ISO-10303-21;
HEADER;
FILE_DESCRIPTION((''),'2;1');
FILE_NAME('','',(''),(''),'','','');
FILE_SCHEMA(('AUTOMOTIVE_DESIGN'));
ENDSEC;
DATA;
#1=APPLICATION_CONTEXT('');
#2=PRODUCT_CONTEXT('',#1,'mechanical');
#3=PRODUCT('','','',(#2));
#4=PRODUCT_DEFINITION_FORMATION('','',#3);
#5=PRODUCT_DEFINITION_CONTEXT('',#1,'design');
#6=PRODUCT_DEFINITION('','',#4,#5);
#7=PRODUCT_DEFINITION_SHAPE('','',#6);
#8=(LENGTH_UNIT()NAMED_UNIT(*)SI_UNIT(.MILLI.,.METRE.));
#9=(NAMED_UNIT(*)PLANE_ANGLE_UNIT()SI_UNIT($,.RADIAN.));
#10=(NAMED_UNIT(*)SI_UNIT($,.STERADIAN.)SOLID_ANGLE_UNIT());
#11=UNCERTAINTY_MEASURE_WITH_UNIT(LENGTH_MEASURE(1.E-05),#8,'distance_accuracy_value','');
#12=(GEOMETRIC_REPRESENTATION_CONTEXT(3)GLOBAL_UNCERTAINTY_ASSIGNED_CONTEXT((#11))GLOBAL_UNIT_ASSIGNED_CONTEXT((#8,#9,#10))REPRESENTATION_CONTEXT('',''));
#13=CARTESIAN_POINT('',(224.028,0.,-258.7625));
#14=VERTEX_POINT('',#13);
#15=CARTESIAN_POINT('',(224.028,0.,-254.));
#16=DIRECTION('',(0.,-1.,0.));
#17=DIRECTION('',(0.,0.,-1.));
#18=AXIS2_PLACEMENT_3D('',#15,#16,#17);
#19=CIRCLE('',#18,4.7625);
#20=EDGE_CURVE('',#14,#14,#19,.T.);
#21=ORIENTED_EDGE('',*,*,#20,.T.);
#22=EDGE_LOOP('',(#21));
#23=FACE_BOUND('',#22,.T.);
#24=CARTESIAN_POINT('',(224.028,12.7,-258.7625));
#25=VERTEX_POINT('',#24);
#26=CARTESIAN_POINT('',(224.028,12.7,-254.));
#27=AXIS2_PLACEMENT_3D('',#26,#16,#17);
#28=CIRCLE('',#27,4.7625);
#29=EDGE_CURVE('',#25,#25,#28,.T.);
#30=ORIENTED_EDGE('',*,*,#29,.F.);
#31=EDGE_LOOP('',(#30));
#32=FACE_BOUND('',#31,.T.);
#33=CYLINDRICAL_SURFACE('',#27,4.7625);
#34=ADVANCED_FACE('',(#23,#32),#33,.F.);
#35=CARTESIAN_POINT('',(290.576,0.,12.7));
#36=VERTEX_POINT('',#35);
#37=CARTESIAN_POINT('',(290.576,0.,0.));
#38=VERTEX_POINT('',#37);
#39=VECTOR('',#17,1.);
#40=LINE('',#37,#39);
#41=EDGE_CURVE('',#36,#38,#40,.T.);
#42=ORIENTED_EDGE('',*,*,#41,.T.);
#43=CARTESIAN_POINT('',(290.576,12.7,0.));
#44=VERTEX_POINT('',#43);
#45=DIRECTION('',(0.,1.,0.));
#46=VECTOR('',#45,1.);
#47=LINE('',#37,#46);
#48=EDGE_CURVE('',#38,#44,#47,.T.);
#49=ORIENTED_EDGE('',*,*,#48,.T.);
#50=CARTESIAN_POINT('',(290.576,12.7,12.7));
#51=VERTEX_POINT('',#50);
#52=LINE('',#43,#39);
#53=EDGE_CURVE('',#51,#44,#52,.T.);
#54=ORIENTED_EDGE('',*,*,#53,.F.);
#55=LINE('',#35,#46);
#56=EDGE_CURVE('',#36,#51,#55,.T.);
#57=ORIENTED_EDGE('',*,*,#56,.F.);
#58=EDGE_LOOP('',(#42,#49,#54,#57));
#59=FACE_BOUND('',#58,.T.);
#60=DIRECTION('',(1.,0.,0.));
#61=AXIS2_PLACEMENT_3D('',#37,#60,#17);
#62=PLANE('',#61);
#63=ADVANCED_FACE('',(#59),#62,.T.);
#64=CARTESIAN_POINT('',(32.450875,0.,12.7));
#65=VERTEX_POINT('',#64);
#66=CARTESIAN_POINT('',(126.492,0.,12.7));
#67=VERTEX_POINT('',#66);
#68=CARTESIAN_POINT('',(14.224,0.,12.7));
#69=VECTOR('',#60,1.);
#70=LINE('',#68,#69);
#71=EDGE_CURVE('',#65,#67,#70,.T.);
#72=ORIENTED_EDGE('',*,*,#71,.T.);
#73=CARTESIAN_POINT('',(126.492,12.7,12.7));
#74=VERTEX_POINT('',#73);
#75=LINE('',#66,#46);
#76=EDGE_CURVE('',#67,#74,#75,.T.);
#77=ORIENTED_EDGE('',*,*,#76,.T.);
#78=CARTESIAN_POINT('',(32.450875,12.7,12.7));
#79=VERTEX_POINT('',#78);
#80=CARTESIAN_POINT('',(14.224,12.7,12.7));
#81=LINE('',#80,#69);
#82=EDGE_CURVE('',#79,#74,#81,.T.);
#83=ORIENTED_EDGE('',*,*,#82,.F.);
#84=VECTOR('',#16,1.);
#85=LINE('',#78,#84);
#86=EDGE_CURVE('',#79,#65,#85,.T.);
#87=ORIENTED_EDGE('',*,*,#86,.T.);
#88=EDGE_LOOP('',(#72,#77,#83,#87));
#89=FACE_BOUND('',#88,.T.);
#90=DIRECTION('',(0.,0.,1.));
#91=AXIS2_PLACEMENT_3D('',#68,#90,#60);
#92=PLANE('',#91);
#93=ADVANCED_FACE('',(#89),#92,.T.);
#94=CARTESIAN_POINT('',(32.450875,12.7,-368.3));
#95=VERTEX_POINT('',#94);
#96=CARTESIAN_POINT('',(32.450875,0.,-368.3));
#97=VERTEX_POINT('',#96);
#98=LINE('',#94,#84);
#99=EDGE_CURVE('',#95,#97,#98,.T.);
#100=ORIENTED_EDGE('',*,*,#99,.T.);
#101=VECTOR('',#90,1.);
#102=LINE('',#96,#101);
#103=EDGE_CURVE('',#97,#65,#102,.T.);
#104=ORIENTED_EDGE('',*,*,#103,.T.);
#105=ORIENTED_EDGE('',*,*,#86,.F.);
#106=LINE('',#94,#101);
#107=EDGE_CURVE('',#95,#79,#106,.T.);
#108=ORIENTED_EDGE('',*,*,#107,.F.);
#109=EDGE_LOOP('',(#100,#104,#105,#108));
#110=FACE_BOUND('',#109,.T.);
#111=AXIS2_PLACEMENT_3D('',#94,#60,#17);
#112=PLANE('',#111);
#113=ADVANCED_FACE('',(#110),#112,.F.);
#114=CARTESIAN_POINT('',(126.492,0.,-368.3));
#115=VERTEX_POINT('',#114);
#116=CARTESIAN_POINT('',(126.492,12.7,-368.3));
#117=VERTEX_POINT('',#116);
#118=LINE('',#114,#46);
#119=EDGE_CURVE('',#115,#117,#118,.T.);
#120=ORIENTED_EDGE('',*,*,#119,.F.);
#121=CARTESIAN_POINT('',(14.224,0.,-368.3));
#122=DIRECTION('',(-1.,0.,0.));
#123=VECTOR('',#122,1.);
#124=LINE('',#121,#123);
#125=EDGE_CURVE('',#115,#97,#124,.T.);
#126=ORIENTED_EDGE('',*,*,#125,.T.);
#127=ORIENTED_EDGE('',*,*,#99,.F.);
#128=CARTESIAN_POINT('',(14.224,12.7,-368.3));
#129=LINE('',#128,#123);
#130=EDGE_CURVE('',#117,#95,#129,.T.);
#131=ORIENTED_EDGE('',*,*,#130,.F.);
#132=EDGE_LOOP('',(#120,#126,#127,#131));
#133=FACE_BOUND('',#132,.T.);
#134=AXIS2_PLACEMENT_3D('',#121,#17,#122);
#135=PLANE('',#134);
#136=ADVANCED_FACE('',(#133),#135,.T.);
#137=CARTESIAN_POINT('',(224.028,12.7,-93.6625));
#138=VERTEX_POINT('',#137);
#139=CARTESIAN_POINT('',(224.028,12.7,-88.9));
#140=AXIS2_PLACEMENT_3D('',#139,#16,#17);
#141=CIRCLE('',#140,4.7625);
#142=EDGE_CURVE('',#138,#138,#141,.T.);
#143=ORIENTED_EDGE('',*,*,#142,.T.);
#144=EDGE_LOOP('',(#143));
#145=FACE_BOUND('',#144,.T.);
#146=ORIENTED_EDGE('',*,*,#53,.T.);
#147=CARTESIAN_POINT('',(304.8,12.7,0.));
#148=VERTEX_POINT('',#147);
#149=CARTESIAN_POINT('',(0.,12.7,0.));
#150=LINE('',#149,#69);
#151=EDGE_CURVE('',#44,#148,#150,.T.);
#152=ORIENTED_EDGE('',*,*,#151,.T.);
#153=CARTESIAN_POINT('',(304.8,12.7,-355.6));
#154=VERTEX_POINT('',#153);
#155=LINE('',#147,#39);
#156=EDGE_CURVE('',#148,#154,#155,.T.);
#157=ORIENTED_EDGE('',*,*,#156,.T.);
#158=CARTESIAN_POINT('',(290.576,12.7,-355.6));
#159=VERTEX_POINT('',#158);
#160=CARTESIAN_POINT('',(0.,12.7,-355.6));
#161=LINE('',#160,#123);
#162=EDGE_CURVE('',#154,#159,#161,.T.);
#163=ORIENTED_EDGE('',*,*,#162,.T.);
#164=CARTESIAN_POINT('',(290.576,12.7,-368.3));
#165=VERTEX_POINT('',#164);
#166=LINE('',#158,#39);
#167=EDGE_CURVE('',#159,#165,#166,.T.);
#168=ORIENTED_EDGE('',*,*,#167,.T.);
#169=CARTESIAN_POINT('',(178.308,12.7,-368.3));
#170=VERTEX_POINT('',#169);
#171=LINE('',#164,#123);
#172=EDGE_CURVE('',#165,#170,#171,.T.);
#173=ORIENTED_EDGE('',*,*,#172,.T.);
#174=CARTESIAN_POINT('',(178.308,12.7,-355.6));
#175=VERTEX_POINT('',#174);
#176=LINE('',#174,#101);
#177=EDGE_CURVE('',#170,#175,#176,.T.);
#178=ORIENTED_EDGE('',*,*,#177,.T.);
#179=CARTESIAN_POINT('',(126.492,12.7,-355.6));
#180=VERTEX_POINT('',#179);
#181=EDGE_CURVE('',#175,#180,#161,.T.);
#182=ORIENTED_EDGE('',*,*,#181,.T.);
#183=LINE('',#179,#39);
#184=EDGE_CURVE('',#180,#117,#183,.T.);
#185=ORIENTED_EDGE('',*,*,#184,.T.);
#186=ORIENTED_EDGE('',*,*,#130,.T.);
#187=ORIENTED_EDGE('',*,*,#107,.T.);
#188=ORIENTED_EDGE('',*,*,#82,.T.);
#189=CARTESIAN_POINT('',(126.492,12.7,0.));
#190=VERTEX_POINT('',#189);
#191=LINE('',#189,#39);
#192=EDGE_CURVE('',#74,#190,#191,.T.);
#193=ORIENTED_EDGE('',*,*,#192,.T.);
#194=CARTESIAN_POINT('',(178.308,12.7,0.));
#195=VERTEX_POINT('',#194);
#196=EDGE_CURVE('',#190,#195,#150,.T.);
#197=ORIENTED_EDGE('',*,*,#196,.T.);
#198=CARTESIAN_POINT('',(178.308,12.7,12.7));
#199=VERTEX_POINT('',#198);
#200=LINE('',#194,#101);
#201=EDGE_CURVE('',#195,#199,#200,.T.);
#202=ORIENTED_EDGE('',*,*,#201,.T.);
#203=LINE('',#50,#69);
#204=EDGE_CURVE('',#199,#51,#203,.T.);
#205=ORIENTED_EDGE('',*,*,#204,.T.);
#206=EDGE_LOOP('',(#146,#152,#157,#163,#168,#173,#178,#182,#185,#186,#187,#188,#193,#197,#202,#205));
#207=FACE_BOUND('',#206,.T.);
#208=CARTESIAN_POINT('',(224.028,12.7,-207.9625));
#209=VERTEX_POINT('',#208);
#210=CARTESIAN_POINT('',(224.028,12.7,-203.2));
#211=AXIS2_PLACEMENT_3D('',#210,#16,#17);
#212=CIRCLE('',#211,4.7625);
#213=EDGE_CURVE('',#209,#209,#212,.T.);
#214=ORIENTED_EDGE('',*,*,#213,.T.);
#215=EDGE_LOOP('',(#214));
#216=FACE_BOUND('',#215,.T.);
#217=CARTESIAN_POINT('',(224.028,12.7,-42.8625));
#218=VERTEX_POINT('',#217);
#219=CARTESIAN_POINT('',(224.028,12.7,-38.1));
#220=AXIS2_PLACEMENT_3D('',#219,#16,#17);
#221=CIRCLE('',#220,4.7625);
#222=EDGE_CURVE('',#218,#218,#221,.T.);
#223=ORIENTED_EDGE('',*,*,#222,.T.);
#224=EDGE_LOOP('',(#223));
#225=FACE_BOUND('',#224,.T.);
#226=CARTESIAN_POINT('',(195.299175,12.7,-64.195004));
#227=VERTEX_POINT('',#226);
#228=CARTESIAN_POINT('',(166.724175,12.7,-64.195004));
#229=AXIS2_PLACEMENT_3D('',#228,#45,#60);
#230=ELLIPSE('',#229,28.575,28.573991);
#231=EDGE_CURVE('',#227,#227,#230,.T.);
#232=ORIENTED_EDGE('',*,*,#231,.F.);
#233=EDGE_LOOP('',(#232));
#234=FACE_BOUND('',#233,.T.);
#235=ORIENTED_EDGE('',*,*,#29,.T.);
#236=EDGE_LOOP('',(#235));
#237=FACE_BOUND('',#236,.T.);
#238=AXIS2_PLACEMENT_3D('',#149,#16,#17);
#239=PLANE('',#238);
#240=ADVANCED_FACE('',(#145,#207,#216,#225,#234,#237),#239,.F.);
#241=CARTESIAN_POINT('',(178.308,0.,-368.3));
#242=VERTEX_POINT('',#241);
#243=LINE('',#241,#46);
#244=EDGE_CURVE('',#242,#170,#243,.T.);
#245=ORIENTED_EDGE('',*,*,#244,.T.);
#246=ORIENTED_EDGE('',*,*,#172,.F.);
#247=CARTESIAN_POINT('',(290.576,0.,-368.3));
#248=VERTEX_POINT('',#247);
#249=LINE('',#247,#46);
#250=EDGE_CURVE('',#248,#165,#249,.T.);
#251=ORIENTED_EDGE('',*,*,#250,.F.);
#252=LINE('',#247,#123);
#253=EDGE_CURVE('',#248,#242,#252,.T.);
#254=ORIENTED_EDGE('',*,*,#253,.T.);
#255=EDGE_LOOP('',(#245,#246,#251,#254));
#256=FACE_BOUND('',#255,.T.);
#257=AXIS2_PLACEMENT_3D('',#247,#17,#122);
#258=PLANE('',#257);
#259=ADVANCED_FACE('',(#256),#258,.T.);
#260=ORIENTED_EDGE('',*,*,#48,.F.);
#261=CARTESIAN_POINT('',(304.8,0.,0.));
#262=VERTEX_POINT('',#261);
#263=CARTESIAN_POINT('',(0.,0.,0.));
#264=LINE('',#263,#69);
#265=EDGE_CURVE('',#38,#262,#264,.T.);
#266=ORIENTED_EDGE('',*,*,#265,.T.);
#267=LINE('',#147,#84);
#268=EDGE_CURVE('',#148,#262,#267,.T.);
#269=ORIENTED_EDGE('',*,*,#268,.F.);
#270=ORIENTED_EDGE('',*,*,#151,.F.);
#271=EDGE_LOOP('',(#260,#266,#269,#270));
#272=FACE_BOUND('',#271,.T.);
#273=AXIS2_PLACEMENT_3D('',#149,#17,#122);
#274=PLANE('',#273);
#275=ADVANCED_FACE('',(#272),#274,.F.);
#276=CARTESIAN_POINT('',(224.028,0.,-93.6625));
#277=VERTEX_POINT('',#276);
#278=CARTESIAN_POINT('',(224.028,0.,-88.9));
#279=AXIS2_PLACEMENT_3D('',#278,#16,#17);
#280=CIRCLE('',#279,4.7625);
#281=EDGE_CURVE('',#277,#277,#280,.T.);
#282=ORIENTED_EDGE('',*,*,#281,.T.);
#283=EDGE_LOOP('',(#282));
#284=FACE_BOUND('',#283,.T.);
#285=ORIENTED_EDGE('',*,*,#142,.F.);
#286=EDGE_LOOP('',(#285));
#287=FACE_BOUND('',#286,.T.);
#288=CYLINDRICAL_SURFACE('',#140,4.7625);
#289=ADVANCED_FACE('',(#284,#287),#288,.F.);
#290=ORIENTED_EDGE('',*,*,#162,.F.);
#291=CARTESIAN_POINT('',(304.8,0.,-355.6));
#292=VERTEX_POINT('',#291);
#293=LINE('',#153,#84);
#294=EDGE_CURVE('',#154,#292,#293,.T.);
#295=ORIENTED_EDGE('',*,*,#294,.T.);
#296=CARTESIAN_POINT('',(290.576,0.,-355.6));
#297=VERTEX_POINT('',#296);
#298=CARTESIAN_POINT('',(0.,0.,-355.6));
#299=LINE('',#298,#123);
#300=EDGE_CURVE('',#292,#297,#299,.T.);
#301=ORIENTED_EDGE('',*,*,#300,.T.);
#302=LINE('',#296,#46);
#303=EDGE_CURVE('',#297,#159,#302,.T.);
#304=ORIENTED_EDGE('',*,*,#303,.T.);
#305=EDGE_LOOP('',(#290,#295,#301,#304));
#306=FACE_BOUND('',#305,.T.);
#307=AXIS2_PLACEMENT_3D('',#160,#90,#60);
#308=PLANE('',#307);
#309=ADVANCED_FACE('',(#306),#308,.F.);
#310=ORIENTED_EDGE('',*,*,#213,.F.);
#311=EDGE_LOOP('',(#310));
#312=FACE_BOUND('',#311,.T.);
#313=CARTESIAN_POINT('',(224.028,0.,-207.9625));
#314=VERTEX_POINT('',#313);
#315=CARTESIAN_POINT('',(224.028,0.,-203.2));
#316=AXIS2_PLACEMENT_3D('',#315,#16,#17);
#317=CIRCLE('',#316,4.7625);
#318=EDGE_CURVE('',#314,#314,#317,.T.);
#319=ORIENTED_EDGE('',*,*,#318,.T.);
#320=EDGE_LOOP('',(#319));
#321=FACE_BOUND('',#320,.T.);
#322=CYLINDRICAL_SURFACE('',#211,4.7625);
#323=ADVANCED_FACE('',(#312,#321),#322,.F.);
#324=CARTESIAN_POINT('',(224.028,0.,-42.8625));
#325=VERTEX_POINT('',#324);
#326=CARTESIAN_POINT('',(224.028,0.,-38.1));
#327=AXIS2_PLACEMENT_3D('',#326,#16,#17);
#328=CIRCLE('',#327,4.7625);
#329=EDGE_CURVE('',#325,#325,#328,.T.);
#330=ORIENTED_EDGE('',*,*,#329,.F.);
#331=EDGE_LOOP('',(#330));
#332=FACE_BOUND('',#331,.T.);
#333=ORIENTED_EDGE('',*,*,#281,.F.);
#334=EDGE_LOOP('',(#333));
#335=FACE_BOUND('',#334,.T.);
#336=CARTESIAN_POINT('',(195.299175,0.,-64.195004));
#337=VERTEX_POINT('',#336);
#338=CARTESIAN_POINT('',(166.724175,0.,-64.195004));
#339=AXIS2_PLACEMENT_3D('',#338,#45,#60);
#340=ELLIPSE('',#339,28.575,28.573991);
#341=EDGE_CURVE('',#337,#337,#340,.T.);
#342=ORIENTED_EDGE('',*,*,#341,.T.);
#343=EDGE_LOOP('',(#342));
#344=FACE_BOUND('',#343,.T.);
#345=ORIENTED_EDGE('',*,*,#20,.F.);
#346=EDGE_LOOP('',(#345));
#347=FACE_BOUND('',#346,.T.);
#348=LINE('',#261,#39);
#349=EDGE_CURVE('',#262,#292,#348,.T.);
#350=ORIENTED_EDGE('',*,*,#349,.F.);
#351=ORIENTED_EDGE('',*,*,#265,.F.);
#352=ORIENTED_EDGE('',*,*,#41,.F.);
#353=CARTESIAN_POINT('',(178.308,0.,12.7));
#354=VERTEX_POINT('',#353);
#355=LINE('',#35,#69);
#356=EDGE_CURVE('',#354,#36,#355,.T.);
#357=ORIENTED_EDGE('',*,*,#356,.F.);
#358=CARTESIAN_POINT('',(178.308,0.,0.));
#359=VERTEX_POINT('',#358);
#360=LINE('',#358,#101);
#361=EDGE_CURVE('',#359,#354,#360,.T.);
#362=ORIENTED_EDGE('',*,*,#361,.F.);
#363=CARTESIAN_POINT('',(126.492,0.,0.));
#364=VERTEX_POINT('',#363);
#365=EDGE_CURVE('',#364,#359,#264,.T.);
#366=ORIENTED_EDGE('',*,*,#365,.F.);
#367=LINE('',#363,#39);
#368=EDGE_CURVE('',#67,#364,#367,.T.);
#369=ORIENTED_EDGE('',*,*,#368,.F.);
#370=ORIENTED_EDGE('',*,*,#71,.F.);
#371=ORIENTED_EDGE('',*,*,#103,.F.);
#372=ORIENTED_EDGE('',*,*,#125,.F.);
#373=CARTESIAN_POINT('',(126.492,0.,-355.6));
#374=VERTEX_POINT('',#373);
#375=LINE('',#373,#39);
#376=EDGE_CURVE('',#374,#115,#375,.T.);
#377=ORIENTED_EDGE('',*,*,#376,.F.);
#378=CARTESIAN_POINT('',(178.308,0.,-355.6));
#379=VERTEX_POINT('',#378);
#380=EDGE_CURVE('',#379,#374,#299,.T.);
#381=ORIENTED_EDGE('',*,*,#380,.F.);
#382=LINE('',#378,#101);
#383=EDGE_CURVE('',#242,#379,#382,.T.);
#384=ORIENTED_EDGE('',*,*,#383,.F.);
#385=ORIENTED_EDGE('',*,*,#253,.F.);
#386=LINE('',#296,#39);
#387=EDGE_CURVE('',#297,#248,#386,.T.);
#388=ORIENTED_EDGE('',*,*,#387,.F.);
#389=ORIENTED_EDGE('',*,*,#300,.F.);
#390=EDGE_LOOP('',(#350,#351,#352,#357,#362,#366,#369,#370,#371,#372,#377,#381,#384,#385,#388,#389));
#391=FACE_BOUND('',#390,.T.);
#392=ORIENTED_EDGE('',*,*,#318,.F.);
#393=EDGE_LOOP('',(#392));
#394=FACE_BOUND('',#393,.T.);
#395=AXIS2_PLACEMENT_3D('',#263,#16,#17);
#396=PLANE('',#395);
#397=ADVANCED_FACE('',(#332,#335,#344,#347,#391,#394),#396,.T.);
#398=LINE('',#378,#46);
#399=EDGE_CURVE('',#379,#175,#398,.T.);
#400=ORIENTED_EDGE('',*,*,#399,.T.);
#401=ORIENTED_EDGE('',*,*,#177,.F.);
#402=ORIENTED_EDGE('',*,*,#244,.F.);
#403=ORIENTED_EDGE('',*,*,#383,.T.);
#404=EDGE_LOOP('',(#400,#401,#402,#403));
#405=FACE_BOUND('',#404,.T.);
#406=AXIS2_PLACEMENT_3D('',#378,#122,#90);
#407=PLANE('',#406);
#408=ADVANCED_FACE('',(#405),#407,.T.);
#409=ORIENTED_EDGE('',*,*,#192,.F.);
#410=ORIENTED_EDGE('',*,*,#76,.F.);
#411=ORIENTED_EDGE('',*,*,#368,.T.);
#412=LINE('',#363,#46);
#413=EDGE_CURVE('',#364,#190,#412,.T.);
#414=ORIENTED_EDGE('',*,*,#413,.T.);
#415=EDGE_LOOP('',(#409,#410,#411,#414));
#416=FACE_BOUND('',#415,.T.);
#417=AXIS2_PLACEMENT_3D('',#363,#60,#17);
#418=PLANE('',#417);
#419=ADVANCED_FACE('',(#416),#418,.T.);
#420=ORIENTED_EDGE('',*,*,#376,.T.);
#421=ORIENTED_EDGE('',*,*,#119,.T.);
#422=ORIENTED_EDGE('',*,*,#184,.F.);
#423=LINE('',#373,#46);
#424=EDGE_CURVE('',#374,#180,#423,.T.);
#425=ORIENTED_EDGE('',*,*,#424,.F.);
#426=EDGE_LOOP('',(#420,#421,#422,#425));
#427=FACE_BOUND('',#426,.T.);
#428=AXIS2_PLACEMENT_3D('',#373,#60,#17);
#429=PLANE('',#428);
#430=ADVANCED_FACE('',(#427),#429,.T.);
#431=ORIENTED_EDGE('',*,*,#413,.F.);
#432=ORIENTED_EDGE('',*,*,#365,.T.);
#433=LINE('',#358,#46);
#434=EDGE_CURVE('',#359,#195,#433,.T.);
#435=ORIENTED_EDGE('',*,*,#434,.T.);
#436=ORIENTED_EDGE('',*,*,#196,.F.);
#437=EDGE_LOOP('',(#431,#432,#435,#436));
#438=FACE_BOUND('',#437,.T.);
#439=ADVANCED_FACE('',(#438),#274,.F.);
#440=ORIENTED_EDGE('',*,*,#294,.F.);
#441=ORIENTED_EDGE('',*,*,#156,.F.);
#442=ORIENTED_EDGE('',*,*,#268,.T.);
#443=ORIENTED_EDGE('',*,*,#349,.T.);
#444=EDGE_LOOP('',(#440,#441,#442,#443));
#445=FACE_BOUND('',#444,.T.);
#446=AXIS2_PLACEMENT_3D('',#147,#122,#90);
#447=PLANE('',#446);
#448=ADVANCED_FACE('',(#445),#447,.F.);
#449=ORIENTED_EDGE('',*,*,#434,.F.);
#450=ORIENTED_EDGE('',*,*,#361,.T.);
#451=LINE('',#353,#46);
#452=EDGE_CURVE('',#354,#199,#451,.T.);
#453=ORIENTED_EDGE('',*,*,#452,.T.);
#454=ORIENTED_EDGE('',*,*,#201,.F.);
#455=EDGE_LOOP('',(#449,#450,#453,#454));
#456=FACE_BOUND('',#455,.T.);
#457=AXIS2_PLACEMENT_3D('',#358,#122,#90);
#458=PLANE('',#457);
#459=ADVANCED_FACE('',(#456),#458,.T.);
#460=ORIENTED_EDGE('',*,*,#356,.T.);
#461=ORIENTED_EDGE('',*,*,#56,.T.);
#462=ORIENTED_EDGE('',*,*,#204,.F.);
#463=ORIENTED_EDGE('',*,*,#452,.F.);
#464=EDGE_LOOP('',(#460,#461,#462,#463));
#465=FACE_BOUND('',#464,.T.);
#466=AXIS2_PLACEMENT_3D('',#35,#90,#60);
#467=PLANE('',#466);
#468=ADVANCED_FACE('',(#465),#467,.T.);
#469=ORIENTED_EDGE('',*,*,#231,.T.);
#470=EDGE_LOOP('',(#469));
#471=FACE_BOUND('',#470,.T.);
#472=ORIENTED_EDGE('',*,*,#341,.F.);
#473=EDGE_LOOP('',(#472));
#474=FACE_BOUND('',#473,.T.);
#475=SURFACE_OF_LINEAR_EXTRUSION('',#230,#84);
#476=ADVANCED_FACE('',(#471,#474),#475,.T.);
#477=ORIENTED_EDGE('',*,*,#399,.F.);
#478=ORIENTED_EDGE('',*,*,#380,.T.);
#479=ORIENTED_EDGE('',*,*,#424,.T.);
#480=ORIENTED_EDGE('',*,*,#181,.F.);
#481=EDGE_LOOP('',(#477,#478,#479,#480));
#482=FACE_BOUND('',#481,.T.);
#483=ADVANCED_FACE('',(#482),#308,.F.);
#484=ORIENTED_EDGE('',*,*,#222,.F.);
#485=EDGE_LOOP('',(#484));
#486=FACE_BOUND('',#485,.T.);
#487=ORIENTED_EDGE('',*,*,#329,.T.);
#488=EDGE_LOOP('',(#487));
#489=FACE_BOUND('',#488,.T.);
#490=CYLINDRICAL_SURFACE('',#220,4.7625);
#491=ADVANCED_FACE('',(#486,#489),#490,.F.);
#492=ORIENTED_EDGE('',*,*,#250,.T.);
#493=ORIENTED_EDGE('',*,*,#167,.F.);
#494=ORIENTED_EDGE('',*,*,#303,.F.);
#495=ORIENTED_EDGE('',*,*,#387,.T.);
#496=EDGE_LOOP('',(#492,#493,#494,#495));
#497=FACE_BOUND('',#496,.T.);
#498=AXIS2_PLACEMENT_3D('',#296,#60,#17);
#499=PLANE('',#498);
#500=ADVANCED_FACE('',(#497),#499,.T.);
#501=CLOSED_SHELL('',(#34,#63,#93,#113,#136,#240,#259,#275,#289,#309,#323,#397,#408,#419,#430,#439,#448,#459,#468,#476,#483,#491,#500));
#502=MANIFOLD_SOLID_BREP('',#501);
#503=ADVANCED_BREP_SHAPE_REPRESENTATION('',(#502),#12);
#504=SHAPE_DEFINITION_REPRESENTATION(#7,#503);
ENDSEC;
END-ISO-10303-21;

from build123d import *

# Parameters (mm, degrees)
SKETCH1_W           = 304.8
SKETCH1_H           = 355.6
SKETCH1_RX          = 28.575
SKETCH1_RY          = 28.573991153
BOSS_EXTRUDE1_DEPTH = 12.7
SKETCH2_R           = 4.7625
CUT_EXTRUDE1_DEPTH  = 12.7
SKETCH3_W           = 112.268
SKETCH3_H           = 12.7
BOSS_EXTRUDE2_DEPTH = 12.7
SKETCH5_W           = 38.383719954
SKETCH5_H           = 381
CUT_EXTRUDE2_DEPTH  = 13.7


with BuildPart() as part:
    # Sketch1 → Boss-Extrude1 (new body)
    with BuildSketch(Plane(origin=(0, 0, 0), x_dir=(1, 0, 0), z_dir=(0, 1, 0))):
        with Locations((152.4, 177.8)):
            Rectangle(SKETCH1_W, SKETCH1_H)
        with Locations(Location((166.724174942, 64.195003676), (0, 0, 0))):
            Ellipse(SKETCH1_RX, SKETCH1_RY, mode=Mode.SUBTRACT)
    extrude(amount=BOSS_EXTRUDE1_DEPTH)

    # Sketch2 → Cut-Extrude1 (cut)
    with BuildSketch(Plane.XZ):
        with Locations((224.028, -38.1)):
            Circle(SKETCH2_R)
        with Locations((224.028, -88.9)):
            Circle(SKETCH2_R)
        with Locations((224.028, -203.2)):
            Circle(SKETCH2_R)
        with Locations((224.028, -254)):
            Circle(SKETCH2_R)
    extrude(amount=-CUT_EXTRUDE1_DEPTH, mode=Mode.SUBTRACT)

    # Sketch3 → Boss-Extrude2 (add)
    with BuildSketch(Plane(origin=(0, 12.7, 0), x_dir=(1, 0, 0), z_dir=(0, 1, 0))):
        with Locations((70.358, 361.95)):
            Rectangle(SKETCH3_W, SKETCH3_H)
        with Locations((234.442, 361.95)):
            Rectangle(SKETCH3_W, SKETCH3_H)
        with Locations((234.442, -6.35)):
            Rectangle(SKETCH3_W, SKETCH3_H)
        with Locations((70.358, -6.35)):
            Rectangle(SKETCH3_W, SKETCH3_H)
    extrude(amount=-BOSS_EXTRUDE2_DEPTH)

    # Sketch5 → Cut-Extrude2 (cut, through all)
    with BuildSketch(Plane.XZ):
        with Locations((13.259015168, -177.8)):
            Rectangle(SKETCH5_W, SKETCH5_H)
    extrude(amount=-CUT_EXTRUDE2_DEPTH, mode=Mode.SUBTRACT)


solid = part.part
